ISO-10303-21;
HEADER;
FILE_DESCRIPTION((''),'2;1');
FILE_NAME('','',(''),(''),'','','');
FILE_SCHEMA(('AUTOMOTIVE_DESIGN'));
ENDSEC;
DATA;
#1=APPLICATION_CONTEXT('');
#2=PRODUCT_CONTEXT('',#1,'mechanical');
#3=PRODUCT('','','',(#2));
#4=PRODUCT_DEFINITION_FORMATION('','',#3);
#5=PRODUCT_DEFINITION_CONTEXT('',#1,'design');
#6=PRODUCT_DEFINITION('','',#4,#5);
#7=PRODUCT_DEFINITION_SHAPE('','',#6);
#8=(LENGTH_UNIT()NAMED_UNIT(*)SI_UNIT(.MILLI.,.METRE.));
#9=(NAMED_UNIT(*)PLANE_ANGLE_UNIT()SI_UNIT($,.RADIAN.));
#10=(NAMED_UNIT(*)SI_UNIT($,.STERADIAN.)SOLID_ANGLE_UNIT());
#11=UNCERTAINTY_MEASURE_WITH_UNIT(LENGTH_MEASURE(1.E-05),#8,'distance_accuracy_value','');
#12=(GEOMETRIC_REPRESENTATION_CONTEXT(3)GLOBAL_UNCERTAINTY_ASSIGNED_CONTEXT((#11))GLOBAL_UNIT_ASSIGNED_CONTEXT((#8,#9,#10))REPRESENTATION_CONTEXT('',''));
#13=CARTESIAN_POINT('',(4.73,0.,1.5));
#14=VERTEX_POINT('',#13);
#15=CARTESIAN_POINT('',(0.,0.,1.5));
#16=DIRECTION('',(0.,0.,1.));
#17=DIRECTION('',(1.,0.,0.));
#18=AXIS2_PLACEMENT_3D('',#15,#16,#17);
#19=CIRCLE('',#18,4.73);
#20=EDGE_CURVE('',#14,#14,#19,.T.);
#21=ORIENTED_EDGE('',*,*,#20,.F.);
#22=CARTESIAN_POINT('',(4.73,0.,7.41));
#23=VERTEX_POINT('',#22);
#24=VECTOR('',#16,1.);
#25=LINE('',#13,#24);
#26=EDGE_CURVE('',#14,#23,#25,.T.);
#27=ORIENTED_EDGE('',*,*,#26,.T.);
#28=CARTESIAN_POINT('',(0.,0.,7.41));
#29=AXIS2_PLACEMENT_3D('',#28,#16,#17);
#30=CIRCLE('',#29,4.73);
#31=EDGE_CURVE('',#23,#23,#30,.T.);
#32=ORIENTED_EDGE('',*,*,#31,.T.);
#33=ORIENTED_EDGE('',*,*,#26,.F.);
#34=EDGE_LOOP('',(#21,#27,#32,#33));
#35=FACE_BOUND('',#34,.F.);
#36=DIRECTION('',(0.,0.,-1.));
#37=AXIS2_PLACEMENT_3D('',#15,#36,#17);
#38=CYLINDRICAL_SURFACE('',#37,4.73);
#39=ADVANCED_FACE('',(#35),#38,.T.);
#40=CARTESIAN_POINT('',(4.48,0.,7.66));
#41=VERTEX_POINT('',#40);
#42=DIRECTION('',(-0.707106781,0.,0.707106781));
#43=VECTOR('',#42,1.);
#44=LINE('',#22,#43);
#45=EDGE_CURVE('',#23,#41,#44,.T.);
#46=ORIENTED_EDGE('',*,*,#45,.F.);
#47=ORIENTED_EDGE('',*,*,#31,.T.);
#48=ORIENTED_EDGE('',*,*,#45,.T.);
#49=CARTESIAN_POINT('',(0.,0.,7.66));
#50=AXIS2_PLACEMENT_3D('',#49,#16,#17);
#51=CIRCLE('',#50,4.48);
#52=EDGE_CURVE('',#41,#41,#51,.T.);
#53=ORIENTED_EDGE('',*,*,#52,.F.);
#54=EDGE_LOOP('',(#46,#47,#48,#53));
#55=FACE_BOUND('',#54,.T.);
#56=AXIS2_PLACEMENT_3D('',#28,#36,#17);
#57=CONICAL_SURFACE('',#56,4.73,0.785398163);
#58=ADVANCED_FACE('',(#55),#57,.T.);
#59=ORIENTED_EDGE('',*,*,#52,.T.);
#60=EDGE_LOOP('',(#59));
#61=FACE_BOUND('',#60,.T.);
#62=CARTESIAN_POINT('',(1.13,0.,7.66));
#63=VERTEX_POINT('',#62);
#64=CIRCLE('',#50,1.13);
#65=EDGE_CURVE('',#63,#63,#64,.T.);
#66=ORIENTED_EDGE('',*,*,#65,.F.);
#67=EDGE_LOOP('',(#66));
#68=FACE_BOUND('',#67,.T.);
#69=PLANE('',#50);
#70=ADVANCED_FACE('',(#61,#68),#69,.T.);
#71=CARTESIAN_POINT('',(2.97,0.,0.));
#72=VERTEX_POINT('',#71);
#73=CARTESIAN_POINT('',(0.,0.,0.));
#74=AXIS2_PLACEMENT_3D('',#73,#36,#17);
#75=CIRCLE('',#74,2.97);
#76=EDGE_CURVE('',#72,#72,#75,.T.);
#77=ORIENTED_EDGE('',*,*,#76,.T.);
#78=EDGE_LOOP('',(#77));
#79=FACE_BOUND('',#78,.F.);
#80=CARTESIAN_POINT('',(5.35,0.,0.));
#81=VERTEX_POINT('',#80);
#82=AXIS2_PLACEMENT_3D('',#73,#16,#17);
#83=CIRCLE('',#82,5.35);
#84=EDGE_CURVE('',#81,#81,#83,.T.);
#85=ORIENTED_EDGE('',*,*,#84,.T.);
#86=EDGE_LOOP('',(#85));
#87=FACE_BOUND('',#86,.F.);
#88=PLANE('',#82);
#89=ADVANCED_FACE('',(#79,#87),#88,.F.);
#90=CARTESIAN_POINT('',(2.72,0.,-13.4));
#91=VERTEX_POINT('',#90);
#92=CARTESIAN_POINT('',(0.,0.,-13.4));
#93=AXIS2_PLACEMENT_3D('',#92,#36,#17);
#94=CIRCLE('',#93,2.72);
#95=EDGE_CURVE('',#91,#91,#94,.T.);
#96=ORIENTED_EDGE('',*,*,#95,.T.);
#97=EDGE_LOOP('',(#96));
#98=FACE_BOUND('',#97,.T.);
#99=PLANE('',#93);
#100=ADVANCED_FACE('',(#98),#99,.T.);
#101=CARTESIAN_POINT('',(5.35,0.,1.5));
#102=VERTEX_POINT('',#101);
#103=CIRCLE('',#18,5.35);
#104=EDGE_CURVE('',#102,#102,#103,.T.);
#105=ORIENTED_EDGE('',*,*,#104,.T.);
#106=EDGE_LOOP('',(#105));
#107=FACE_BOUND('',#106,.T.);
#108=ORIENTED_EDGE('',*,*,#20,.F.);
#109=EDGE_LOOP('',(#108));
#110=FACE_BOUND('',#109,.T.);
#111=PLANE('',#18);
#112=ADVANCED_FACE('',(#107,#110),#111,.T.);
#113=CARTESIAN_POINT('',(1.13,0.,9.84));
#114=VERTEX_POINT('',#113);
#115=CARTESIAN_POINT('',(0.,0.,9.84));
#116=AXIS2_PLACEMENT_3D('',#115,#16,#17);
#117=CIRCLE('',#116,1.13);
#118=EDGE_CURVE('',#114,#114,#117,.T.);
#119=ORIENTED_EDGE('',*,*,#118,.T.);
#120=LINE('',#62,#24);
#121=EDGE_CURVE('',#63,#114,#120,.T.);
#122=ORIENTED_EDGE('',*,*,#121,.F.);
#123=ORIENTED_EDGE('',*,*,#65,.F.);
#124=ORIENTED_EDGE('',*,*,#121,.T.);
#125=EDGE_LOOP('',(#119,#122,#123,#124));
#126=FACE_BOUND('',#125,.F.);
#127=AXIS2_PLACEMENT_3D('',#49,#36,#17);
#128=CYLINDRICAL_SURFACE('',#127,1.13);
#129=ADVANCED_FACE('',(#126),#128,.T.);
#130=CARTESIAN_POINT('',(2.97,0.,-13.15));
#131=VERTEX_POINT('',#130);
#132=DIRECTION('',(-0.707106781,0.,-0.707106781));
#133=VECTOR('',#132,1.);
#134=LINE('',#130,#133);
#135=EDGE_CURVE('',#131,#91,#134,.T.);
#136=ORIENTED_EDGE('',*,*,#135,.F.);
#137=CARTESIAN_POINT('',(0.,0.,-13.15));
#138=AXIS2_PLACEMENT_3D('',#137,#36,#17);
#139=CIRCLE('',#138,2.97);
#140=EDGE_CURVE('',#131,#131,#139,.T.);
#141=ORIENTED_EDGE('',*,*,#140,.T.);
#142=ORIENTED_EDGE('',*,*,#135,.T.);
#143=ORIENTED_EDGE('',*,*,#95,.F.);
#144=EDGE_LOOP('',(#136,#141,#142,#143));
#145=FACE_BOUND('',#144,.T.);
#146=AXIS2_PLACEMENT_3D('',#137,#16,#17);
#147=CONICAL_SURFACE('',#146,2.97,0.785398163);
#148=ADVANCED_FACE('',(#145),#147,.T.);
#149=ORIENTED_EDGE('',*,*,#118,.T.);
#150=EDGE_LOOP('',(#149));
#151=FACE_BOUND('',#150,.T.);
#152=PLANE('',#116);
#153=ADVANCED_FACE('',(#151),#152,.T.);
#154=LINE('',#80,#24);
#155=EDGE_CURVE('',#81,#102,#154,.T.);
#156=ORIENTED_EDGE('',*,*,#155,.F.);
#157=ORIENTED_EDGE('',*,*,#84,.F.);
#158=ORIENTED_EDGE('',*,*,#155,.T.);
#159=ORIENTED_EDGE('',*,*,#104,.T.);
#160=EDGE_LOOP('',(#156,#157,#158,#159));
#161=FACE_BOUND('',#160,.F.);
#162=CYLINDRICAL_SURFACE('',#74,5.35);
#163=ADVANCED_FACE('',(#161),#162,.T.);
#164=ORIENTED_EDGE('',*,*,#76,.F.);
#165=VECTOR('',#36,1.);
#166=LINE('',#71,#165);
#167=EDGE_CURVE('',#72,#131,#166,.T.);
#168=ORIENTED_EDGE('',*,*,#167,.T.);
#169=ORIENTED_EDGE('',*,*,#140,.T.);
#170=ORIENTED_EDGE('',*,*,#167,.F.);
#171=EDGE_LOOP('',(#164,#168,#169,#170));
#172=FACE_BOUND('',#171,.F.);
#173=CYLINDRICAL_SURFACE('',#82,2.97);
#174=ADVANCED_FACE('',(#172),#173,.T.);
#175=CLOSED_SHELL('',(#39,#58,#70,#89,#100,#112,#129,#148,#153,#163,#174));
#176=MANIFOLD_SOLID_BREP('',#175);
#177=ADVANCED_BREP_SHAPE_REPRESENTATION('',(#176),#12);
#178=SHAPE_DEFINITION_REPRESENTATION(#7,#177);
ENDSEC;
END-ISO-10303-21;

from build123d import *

# Parameters (mm, degrees)
F0_R     = 5.35
F1_DEPTH = 1.5
F2_R     = 4.73
F3_DEPTH = 6.16
F4_R     = 2.97
F5_DEPTH = 13.4
F6_R     = 1.13
F7_DEPTH = 2.18
F8_SIZE  = 0.25
F9_SIZE  = 0.25


with BuildPart() as f1:
    # F0 (on Top) → F1 (new body)
    with BuildSketch(Plane.XY):
        Circle(F0_R)
    extrude(amount=F1_DEPTH)

    # F2 (on face) → F3 (join)
    with BuildSketch(Plane.XY.offset(1.5)):
        Circle(F2_R)
    extrude(amount=F3_DEPTH)

    # F4 (on face) → F5 (join)
    with BuildSketch(Plane(origin=(0, 0, 0), x_dir=(1, 0, 0), z_dir=(0, 0, -1))):
        Circle(F4_R)
    extrude(amount=F5_DEPTH)

    # F6 (on face) → F7 (join)
    with BuildSketch(Plane.XY.offset(7.66)):
        Circle(F6_R)
    extrude(amount=F7_DEPTH)

    # F8
    f8_edges = [f1.edges().sort_by_distance(p)[0] for p in [
        (-4.73, 0, 7.66),
    ]]
    chamfer(f8_edges, length=F8_SIZE)

    # F9
    f9_edges = [f1.edges().sort_by_distance(p)[0] for p in [
        (-2.97, 0, -13.4),
    ]]
    chamfer(f9_edges, length=F9_SIZE)


solid = f1.part
